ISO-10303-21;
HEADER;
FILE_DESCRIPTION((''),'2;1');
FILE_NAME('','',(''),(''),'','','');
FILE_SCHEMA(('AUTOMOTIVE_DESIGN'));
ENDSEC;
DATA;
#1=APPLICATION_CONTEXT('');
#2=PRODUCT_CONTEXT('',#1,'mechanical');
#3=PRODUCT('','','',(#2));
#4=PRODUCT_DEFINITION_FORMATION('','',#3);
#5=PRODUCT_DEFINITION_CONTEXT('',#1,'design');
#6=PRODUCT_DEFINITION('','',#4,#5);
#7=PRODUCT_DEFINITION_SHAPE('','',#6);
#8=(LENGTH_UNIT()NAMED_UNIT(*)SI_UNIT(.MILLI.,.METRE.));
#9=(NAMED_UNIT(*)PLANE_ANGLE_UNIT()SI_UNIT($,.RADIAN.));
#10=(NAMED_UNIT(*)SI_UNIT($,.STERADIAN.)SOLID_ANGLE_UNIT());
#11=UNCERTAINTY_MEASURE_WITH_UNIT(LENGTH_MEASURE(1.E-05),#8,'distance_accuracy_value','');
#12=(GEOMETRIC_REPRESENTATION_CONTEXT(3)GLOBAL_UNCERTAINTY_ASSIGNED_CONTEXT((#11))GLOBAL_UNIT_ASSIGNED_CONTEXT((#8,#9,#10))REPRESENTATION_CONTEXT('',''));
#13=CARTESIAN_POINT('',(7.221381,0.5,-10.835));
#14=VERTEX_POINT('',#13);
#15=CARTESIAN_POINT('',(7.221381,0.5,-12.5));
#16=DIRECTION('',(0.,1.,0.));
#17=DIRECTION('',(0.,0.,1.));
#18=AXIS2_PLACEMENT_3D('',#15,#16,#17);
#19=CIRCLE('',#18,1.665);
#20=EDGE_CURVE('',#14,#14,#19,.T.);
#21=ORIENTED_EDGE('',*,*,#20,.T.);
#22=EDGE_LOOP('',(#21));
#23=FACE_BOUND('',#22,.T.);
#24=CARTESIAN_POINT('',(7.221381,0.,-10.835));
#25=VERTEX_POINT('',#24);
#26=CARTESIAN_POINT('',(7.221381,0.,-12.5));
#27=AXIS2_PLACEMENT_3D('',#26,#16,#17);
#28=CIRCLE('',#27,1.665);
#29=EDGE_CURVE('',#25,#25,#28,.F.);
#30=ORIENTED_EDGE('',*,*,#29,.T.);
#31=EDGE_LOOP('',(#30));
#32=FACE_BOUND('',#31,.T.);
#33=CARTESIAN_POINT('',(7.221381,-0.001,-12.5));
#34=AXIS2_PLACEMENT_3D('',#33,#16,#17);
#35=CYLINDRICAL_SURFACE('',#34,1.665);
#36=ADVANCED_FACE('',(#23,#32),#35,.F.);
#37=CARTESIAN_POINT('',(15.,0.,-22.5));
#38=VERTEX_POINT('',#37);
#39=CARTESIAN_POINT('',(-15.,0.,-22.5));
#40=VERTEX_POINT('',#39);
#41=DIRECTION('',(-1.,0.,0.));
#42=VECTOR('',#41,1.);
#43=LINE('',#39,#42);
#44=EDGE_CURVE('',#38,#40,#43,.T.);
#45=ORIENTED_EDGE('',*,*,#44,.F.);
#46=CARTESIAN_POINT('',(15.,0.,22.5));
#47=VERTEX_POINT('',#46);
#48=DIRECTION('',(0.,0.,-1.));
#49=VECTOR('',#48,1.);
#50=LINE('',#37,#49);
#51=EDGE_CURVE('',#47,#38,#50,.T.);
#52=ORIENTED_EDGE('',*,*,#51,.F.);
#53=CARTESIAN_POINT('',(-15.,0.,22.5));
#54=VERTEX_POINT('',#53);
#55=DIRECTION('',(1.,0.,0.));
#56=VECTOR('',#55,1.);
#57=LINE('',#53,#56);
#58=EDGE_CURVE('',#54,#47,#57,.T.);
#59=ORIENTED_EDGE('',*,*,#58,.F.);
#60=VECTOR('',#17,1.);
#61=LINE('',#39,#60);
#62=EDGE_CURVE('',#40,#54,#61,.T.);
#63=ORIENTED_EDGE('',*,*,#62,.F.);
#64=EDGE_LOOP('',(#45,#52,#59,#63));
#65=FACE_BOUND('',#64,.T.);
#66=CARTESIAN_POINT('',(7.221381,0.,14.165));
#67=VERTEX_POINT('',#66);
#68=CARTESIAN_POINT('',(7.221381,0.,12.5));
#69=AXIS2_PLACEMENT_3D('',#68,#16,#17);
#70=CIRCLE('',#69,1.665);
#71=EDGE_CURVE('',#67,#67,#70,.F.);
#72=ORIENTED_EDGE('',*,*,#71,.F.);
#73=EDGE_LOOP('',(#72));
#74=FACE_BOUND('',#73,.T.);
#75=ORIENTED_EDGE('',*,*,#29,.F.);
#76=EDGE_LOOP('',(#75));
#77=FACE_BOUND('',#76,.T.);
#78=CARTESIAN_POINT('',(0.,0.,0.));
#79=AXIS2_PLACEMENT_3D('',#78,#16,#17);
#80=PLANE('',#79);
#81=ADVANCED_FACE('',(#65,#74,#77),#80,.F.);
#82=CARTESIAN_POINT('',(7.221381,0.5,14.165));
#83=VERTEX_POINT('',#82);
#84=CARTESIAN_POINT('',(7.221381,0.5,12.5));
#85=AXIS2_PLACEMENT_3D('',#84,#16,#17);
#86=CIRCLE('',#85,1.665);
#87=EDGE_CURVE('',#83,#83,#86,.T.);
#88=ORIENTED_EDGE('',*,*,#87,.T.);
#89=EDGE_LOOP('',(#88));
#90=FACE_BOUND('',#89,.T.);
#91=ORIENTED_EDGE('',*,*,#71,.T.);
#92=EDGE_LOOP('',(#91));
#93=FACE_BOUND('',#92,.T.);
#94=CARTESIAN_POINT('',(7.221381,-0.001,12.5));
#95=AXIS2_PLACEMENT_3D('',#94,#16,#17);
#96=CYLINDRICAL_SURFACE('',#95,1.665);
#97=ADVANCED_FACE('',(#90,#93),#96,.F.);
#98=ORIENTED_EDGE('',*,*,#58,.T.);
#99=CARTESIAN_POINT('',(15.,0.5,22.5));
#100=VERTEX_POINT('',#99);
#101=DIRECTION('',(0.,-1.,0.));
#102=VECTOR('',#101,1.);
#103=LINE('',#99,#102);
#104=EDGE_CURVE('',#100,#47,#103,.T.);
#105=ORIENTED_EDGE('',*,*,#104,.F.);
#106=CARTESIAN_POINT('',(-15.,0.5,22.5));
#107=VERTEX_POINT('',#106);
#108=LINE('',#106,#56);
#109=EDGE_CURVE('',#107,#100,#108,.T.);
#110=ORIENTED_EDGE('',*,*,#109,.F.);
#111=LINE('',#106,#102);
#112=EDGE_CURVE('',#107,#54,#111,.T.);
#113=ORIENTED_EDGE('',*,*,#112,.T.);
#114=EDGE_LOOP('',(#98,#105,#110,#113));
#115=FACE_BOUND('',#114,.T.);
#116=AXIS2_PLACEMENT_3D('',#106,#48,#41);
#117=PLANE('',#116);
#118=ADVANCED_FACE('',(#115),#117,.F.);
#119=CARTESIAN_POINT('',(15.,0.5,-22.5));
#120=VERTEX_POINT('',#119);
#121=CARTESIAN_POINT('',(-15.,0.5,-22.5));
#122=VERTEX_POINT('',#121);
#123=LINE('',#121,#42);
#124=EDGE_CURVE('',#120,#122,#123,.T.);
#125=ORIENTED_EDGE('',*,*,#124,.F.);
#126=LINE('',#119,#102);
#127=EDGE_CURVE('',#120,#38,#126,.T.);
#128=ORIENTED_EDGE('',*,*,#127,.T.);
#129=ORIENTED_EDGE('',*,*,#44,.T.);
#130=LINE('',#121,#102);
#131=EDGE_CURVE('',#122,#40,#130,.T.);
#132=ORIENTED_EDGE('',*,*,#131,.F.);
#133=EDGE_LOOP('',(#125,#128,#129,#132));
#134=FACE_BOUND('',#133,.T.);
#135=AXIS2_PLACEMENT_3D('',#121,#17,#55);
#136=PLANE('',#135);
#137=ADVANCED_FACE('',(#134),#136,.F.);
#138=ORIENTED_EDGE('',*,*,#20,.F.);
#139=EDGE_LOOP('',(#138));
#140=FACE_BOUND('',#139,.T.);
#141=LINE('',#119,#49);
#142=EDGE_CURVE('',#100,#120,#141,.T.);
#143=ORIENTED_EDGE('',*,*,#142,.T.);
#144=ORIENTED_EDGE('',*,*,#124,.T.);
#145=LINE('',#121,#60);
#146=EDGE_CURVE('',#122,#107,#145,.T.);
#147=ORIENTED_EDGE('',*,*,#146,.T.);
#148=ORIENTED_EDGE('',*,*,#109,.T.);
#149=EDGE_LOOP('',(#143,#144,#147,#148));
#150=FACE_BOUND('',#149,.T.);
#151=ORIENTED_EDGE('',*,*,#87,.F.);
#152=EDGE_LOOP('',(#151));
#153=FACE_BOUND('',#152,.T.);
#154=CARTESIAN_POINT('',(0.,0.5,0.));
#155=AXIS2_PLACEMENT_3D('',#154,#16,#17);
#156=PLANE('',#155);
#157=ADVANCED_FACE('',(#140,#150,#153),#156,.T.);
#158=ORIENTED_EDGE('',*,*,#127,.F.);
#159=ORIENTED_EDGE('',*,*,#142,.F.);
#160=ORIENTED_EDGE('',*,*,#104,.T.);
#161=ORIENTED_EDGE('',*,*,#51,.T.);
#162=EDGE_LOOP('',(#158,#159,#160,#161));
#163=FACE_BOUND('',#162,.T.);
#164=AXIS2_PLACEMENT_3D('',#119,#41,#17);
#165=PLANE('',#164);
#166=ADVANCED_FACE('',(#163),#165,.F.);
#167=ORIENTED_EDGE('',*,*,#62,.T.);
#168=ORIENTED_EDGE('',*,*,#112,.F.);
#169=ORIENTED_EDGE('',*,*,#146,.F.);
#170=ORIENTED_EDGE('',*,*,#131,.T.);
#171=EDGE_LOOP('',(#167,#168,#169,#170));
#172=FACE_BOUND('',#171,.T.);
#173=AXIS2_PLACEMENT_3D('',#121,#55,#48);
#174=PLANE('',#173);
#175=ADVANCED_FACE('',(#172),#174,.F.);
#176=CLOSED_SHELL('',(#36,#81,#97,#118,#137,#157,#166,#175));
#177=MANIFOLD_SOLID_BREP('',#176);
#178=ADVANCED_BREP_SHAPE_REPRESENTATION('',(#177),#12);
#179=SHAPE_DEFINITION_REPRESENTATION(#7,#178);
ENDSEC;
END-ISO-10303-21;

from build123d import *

# Parameters (mm, degrees)
SKETCH1_W           = 30
SKETCH1_H           = 45
BOSS_EXTRUDE1_DEPTH = 0.5
CUT_EXTRUDE1_REACH  = 29.046
SKETCH2_R           = 1.665


with BuildPart() as part:
    # Sketch1 → Boss-Extrude1 (new body)
    with BuildSketch(Plane(origin=(0, 0, 0), x_dir=(1, 0, 0), z_dir=(0, 1, 0))):
        Rectangle(SKETCH1_W, SKETCH1_H)
    extrude(amount=BOSS_EXTRUDE1_DEPTH)

    # Sketch2 → Cut-Extrude1 (cut, up to next)
    with BuildSketch(Plane(origin=(0, 0.5, 0), x_dir=(1, 0, 0), z_dir=(0, 1, 0)), mode=Mode.PRIVATE) as cut_extrude1_sk1:
        with Locations(Location((7.221380866, 12.5, 0), (0, 0, 270))):
            Circle(SKETCH2_R)
    cut_extrude1_tool1 = extrude(cut_extrude1_sk1.sketch, amount=-CUT_EXTRUDE1_REACH, mode=Mode.PRIVATE) & part.part
    # Sketch2 → Cut-Extrude1 (cut, up to next)
    with BuildSketch(Plane(origin=(0, 0.5, 0), x_dir=(1, 0, 0), z_dir=(0, 1, 0)), mode=Mode.PRIVATE) as cut_extrude1_sk2:
        with Locations(Location((7.221380866, -12.5, 0), (0, 0, 270))):
            Circle(SKETCH2_R)
    cut_extrude1_tool2 = extrude(cut_extrude1_sk2.sketch, amount=-CUT_EXTRUDE1_REACH, mode=Mode.PRIVATE) & part.part
    add(cut_extrude1_tool1.solids().sort_by_distance((7.221381, 0.5, -12.5))[0], mode=Mode.SUBTRACT)
    add(cut_extrude1_tool2.solids().sort_by_distance((7.221381, 0.5, 12.5))[0], mode=Mode.SUBTRACT)


solid = part.part
